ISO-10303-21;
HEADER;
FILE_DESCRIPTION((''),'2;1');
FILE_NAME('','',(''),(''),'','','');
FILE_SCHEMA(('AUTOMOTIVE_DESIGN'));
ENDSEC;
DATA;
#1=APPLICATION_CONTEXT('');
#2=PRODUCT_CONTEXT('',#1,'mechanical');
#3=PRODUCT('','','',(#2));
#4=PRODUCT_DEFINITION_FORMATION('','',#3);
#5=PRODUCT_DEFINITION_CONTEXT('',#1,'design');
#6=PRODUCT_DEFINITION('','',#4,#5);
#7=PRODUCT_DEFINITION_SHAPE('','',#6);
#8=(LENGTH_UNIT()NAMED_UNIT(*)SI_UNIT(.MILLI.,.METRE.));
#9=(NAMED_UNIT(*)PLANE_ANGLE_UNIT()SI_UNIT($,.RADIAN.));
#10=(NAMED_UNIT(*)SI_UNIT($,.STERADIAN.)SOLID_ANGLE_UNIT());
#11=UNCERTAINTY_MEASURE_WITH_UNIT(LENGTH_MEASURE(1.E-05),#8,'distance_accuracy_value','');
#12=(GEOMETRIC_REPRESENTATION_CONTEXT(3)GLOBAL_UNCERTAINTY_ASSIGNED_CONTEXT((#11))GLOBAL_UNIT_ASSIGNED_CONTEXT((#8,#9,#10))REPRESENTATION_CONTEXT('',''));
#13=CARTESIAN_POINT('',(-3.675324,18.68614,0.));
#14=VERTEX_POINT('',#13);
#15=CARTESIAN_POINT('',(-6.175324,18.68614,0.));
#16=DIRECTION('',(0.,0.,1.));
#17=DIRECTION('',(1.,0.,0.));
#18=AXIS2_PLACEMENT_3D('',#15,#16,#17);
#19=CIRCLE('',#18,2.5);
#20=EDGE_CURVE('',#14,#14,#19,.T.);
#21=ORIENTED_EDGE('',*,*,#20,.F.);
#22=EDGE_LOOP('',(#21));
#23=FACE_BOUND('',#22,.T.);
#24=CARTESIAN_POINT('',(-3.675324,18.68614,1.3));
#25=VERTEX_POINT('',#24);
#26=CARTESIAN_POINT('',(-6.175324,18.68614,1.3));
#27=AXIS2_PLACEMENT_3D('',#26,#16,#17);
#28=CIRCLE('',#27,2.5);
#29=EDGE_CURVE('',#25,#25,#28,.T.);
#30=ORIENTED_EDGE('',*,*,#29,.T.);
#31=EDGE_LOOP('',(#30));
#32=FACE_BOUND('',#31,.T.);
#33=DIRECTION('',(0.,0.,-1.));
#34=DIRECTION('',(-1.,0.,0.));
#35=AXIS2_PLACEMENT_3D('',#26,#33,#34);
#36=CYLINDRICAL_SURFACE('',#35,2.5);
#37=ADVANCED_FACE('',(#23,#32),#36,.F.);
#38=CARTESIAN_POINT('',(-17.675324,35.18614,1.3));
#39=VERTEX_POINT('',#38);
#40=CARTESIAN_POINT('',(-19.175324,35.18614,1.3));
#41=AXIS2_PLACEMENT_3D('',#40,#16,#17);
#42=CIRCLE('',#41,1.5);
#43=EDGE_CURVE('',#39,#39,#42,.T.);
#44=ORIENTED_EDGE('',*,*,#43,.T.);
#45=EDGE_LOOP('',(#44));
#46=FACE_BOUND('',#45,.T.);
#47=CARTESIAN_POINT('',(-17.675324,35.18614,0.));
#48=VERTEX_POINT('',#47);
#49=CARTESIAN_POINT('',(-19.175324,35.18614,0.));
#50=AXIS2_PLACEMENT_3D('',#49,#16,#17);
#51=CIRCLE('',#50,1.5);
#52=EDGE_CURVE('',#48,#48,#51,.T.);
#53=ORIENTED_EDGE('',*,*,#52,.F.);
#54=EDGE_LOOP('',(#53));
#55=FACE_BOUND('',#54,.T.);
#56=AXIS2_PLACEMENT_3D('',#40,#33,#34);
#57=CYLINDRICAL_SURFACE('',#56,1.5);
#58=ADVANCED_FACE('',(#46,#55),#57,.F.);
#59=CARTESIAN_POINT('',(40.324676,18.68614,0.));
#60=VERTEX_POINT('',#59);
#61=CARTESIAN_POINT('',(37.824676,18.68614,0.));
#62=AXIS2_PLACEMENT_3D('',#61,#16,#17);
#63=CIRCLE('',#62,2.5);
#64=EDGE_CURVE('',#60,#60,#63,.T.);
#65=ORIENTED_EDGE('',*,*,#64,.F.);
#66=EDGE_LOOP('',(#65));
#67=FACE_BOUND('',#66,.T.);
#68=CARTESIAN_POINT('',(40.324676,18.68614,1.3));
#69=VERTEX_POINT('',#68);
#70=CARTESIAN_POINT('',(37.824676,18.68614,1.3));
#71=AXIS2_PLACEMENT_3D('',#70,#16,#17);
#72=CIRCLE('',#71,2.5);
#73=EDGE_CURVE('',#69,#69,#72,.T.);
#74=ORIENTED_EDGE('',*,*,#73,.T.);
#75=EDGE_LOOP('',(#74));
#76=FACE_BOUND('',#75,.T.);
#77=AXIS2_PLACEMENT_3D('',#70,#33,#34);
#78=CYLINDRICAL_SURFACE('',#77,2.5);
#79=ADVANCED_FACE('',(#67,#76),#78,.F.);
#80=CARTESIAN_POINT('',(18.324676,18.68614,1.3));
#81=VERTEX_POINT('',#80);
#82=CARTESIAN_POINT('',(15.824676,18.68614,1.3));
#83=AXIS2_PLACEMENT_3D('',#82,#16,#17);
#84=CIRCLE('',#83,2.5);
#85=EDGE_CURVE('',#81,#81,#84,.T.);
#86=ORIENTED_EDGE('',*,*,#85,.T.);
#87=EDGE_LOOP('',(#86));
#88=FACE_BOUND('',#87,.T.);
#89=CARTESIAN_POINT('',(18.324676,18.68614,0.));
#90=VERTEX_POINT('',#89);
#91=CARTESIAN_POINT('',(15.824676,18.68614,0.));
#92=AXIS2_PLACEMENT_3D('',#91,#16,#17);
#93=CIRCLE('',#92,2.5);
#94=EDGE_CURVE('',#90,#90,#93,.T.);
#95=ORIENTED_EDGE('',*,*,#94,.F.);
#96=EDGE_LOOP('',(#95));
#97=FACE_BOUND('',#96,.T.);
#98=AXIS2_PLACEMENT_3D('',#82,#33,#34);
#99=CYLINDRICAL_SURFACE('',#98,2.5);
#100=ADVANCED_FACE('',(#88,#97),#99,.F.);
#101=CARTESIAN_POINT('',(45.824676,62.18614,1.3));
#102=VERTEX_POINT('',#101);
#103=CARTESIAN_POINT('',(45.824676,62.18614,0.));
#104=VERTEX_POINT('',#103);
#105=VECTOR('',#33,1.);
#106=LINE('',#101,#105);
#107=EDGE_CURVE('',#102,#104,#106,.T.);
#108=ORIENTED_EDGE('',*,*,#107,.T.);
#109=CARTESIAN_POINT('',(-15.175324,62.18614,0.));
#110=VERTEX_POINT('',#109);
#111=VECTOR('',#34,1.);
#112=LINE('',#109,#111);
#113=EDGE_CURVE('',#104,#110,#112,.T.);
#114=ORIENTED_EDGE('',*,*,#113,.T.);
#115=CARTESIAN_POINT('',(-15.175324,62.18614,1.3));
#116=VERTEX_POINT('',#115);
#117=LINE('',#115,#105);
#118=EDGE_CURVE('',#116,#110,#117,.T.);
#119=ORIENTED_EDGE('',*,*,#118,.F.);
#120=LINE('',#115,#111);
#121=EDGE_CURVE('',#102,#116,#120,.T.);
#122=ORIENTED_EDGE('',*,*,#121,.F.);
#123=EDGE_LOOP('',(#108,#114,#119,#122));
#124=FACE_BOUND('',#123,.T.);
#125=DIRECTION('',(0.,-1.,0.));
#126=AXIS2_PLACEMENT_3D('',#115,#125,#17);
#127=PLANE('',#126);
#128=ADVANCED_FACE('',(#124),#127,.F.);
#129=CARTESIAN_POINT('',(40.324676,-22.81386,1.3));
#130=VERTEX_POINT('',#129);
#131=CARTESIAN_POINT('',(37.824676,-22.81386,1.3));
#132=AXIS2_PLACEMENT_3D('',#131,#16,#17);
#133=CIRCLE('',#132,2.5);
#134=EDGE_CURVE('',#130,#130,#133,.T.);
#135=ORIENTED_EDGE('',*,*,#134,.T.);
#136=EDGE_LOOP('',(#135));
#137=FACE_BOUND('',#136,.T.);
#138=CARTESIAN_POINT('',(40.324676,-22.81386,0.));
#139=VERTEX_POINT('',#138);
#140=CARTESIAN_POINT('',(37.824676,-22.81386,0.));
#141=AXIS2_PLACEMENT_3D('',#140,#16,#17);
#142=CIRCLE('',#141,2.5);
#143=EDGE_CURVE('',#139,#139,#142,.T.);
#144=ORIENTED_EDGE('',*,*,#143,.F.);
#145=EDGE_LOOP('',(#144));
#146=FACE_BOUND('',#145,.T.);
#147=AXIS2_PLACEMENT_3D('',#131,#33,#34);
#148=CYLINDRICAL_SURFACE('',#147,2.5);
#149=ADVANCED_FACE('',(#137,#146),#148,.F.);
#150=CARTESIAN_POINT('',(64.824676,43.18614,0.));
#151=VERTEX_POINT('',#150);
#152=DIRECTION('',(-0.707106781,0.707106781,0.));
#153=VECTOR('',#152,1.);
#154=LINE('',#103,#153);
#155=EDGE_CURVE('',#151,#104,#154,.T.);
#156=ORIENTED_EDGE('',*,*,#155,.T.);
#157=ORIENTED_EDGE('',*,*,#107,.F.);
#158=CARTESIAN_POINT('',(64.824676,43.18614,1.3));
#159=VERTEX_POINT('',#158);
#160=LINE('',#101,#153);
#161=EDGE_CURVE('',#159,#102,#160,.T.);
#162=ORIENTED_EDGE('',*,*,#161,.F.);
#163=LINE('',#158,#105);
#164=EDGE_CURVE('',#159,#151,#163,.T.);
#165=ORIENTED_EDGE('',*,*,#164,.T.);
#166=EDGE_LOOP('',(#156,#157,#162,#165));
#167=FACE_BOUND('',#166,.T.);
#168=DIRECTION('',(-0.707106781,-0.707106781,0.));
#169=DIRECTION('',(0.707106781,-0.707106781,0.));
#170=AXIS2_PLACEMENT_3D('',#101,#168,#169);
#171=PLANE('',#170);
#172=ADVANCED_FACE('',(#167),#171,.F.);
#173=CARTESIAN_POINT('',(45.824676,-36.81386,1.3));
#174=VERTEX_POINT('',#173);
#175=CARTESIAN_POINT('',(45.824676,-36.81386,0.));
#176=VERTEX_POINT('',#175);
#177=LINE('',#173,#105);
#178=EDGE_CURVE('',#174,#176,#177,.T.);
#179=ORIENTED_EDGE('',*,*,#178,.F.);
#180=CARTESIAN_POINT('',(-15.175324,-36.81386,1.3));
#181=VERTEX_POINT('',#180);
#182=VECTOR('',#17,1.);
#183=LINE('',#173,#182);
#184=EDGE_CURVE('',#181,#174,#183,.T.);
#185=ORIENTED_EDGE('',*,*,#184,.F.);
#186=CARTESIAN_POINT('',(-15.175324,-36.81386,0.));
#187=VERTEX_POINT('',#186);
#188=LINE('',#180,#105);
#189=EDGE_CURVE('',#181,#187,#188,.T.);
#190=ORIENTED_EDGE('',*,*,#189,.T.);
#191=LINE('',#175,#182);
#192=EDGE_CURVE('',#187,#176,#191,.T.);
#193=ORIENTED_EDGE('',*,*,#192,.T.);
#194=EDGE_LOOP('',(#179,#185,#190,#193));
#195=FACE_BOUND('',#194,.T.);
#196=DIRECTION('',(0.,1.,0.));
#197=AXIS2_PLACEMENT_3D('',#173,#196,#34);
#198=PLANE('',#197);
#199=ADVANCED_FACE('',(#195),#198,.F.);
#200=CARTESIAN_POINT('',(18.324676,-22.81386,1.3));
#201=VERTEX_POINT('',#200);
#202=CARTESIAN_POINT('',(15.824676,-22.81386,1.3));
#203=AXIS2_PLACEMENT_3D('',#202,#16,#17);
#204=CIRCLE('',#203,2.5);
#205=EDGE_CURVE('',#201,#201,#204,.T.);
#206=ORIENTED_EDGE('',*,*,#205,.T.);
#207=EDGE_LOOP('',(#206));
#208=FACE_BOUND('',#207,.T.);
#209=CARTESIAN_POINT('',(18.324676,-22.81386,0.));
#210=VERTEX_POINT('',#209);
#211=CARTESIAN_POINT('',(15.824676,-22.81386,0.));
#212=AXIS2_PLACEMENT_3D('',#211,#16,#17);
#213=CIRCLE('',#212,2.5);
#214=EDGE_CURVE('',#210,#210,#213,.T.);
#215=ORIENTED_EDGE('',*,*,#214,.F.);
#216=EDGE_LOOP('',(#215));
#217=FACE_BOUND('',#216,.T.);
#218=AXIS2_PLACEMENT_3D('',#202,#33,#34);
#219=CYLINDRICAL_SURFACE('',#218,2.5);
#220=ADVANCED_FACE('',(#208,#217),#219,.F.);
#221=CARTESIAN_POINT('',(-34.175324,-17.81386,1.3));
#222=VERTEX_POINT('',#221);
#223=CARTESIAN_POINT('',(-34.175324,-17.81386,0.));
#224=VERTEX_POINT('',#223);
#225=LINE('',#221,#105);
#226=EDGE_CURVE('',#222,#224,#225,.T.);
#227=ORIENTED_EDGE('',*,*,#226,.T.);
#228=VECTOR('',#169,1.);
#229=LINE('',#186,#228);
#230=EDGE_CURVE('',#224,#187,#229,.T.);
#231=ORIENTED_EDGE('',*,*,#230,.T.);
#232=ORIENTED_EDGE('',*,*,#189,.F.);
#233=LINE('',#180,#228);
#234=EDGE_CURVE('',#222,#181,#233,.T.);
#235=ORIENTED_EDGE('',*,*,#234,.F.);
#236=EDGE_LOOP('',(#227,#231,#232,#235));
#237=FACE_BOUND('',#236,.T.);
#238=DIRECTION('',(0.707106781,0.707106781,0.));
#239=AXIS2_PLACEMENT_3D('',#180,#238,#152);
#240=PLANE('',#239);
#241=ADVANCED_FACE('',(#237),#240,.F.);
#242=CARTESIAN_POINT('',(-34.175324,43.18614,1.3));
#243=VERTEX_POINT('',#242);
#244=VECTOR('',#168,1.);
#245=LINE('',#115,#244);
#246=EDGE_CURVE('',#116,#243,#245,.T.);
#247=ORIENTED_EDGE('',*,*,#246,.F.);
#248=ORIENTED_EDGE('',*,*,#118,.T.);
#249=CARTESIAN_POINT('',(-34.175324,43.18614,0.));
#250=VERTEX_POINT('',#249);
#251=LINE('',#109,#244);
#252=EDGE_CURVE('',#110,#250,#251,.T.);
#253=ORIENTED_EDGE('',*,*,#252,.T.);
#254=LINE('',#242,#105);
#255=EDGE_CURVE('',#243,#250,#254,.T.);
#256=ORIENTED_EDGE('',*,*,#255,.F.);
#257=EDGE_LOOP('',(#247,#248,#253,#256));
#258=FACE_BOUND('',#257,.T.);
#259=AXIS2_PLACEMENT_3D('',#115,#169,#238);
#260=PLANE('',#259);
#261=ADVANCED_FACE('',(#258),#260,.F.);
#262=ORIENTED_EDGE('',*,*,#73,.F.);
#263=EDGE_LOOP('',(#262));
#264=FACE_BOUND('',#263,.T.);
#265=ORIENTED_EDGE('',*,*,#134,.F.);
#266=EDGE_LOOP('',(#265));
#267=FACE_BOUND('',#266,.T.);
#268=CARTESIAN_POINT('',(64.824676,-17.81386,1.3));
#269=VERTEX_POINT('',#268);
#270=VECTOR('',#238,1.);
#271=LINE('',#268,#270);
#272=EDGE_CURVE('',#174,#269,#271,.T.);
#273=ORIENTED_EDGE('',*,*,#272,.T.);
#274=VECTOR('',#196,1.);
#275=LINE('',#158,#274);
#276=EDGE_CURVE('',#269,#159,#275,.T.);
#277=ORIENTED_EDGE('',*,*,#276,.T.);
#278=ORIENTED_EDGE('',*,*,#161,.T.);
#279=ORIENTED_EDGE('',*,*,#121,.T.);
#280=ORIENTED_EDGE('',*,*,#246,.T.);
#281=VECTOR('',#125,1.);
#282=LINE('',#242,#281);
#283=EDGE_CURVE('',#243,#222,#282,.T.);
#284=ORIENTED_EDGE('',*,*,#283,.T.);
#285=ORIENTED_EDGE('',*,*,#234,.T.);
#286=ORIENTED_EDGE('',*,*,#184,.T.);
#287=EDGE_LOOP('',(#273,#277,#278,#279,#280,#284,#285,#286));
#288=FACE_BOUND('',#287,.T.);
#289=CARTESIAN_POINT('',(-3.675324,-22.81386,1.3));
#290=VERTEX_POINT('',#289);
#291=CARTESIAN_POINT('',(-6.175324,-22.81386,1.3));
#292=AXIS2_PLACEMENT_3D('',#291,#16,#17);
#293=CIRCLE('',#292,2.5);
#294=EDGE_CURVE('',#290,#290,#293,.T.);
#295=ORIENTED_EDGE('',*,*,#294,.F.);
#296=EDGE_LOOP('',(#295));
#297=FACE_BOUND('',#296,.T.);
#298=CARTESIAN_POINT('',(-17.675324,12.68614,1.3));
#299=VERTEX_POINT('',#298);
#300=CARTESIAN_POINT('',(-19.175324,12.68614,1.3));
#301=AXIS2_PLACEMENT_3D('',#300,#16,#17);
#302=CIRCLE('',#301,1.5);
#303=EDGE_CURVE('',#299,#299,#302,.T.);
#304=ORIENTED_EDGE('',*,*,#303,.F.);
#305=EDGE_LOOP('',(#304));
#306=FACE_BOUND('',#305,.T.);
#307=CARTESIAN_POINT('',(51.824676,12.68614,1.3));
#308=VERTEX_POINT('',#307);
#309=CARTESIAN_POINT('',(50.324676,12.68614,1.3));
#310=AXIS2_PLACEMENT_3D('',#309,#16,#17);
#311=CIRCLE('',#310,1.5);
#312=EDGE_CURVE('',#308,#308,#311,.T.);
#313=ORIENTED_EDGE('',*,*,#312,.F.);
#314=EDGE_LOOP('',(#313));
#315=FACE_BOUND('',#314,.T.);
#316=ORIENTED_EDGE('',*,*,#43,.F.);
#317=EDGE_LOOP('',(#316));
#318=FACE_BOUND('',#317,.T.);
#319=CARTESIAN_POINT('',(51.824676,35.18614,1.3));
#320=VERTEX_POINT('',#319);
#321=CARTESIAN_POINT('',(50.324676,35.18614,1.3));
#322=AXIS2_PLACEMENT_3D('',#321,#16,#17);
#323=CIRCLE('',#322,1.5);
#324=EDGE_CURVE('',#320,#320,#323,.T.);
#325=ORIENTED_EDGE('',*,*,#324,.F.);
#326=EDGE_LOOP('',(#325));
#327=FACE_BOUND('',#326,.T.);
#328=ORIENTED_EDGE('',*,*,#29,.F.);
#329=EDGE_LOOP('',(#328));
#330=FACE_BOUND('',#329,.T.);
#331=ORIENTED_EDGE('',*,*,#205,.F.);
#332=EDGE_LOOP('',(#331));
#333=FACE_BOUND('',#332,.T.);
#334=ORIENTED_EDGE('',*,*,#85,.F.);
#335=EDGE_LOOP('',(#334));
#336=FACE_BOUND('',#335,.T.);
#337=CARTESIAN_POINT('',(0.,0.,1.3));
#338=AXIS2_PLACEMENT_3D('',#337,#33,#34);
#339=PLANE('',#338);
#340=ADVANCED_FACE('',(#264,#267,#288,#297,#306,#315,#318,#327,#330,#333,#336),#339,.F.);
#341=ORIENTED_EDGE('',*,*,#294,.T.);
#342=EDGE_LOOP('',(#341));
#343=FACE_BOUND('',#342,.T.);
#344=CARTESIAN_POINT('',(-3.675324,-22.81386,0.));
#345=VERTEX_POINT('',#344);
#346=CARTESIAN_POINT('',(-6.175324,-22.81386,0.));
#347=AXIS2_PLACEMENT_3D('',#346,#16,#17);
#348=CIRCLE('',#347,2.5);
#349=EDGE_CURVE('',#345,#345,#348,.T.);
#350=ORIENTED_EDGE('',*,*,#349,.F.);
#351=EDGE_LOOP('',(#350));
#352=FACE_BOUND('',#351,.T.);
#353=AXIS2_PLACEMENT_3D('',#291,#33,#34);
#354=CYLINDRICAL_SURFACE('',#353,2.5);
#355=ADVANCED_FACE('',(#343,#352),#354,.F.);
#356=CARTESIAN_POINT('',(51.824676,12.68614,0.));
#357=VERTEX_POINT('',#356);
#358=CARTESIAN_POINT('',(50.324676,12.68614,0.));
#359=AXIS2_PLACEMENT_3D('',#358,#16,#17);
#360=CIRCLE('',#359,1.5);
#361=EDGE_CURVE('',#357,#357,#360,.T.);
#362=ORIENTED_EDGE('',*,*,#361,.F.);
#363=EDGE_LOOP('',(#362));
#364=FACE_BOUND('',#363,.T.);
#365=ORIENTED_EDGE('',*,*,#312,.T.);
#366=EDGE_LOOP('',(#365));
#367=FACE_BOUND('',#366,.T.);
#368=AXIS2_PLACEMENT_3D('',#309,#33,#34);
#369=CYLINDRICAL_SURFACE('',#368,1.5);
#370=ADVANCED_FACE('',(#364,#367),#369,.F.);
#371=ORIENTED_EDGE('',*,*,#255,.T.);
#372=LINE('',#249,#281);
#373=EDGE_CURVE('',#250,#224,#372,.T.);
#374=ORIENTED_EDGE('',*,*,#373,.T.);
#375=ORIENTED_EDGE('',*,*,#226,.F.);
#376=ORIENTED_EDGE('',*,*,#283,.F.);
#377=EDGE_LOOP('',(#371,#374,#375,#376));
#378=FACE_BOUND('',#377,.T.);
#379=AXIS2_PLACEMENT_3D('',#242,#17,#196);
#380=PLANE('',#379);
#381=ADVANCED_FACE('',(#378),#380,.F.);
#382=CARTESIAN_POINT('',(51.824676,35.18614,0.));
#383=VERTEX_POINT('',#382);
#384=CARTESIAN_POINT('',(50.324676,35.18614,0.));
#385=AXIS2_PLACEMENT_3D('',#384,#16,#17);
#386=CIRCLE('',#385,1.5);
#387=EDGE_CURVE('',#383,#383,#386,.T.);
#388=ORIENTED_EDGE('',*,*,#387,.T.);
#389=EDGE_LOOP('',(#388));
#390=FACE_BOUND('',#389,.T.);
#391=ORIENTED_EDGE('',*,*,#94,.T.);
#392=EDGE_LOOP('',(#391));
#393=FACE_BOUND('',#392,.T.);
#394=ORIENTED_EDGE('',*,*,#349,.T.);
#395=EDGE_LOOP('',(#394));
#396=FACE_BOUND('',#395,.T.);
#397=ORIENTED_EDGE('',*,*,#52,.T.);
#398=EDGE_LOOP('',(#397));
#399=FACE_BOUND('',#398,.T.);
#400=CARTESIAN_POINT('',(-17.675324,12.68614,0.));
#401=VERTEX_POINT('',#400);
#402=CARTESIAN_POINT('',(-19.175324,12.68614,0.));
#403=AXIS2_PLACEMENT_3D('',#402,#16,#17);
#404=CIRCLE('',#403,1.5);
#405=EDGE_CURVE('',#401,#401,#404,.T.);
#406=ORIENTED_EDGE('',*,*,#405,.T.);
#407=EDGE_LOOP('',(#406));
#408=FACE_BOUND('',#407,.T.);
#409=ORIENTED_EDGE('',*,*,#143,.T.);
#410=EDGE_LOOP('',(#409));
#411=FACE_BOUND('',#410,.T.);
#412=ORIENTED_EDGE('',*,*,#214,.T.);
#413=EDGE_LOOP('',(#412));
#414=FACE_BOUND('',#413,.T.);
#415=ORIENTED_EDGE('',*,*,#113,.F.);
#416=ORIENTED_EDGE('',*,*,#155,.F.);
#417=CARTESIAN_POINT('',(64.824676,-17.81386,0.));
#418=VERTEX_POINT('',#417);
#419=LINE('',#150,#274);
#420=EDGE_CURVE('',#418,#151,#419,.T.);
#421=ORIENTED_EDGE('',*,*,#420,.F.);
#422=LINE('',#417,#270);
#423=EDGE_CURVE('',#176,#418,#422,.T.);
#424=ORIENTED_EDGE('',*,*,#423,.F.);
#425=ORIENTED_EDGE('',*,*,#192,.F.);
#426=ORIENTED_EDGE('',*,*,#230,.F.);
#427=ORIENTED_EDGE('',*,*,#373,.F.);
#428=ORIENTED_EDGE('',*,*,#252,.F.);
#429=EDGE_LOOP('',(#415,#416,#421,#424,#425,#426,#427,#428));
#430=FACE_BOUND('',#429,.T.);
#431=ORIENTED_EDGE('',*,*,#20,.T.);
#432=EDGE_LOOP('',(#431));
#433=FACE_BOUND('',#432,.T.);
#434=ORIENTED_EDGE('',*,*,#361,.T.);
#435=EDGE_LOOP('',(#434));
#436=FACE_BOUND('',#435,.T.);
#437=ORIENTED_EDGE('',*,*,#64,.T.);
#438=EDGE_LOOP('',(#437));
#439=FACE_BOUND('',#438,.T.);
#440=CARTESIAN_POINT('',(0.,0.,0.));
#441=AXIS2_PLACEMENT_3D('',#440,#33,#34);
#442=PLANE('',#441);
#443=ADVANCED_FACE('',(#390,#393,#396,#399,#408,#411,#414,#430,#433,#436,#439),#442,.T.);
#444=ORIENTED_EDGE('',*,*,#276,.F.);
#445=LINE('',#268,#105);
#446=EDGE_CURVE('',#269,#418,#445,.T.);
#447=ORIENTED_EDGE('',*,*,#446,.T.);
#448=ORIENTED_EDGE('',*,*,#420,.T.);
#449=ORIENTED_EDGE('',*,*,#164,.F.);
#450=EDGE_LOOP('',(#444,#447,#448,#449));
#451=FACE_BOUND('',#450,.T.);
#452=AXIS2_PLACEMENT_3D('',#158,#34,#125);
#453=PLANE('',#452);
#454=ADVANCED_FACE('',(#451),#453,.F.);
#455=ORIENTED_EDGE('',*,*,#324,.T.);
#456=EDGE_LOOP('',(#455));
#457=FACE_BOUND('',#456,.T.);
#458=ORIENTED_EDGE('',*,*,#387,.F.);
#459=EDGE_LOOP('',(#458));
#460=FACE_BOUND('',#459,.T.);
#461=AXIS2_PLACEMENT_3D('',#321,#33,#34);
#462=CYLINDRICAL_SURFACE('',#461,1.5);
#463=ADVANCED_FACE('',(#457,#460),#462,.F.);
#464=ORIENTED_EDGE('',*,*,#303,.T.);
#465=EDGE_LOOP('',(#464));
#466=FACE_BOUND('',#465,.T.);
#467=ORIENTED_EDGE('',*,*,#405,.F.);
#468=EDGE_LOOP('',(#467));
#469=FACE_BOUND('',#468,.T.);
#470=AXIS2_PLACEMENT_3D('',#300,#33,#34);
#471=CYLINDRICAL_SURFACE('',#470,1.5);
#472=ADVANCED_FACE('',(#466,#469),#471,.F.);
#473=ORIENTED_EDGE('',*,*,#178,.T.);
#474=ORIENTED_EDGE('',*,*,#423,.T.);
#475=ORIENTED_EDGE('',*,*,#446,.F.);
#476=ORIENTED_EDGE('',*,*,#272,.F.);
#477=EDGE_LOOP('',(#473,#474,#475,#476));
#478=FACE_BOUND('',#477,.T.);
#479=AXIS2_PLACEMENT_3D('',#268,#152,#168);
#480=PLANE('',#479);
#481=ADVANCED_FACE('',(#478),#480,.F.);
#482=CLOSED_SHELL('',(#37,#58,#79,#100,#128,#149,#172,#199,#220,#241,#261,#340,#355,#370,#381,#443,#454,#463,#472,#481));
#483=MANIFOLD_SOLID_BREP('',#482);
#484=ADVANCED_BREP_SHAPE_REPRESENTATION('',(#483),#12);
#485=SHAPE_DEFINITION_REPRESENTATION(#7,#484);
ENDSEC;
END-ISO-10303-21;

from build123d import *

# Parameters (mm, degrees)
SKETCH1_R           = 2.5
SKETCH1_R_2         = 1.5
BOSS_EXTRUDE1_DEPTH = 1.3


with BuildPart() as part:
    # Sketch1 → Boss-Extrude1 (new body)
    with BuildSketch(Plane.XY):
        Polygon((-34.175323676, 43.186140305), (-34.175323676, -17.813859695), (-15.175323676, -36.813859695), (45.824676324, -36.813859695), (64.824676324, -17.813859695), (64.824676324, 43.186140305), (45.824676324, 62.186140305), (-15.175323676, 62.186140305), align=None)
        with Locations((-6.175323676, 18.686140305)):
            Circle(SKETCH1_R, mode=Mode.SUBTRACT)
        with Locations((15.824676324, 18.686140305)):
            Circle(SKETCH1_R, mode=Mode.SUBTRACT)
        with Locations((37.824676324, 18.686140305)):
            Circle(SKETCH1_R, mode=Mode.SUBTRACT)
        with Locations((15.824676324, -22.813859695)):
            Circle(SKETCH1_R, mode=Mode.SUBTRACT)
        with Locations((37.824676324, -22.813859695)):
            Circle(SKETCH1_R, mode=Mode.SUBTRACT)
        with Locations((-6.175323676, -22.813859695)):
            Circle(SKETCH1_R, mode=Mode.SUBTRACT)
        with Locations((-19.175323676, 12.686140305)):
            Circle(SKETCH1_R_2, mode=Mode.SUBTRACT)
        with Locations((-19.175323676, 35.186140305)):
            Circle(SKETCH1_R_2, mode=Mode.SUBTRACT)
        with Locations((50.324676324, 35.186140305)):
            Circle(SKETCH1_R_2, mode=Mode.SUBTRACT)
        with Locations((50.324676324, 12.686140305)):
            Circle(SKETCH1_R_2, mode=Mode.SUBTRACT)
    extrude(amount=BOSS_EXTRUDE1_DEPTH)


solid = part.part
